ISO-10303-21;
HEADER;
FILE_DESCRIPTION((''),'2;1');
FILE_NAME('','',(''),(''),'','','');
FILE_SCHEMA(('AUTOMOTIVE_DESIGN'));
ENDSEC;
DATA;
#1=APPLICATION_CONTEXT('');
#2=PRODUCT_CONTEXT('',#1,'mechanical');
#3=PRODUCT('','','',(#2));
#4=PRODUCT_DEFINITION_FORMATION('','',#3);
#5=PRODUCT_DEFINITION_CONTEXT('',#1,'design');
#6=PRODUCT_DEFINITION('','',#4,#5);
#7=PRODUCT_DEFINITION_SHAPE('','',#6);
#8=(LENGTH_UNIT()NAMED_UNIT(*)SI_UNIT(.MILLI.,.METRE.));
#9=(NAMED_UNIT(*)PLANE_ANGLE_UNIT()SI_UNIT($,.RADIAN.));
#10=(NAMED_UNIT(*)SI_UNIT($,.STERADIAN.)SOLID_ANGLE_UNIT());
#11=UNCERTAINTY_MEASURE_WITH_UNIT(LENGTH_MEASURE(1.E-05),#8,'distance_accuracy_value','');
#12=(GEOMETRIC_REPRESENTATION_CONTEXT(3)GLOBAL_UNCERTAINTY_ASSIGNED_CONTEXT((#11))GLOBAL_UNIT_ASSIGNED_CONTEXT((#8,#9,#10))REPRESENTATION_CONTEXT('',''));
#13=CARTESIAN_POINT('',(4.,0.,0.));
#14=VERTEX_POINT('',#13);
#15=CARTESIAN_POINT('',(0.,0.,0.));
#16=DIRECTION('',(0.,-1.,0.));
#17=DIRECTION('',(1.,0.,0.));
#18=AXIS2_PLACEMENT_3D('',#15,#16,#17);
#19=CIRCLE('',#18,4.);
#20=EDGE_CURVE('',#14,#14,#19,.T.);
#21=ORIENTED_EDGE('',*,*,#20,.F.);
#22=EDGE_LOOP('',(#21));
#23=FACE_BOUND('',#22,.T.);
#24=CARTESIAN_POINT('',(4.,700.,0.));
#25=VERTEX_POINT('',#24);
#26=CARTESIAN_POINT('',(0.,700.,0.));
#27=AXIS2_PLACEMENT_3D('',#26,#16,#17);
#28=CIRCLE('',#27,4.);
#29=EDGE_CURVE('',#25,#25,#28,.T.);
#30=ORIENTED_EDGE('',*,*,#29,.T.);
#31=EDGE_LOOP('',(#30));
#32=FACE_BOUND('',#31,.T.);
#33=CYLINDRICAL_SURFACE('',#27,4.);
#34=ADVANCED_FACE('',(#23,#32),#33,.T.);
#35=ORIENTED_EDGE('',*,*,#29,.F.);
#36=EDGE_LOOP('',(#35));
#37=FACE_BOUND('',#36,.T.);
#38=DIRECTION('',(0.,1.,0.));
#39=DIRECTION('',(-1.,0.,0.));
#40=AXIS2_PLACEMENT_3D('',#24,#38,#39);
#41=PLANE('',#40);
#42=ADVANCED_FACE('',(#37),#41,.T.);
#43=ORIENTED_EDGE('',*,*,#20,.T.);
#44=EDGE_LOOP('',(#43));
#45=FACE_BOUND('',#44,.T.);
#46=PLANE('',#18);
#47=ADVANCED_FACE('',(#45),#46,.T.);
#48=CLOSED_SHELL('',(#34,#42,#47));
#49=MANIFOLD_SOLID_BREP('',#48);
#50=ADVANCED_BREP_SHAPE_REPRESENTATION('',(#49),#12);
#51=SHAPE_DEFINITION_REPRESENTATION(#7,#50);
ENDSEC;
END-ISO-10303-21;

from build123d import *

# Parameters (mm, degrees)
SKETCH1_W = 4
SKETCH1_H = 700


with BuildPart() as part:
    # Sketch1 → Revolve1 (revolve)
    with BuildSketch(Plane.XY):
        with Locations((2, 350)):
            Rectangle(SKETCH1_W, SKETCH1_H)
    revolve(axis=Axis((0, 700, 0), (0, -1, 0)))


solid = part.part
